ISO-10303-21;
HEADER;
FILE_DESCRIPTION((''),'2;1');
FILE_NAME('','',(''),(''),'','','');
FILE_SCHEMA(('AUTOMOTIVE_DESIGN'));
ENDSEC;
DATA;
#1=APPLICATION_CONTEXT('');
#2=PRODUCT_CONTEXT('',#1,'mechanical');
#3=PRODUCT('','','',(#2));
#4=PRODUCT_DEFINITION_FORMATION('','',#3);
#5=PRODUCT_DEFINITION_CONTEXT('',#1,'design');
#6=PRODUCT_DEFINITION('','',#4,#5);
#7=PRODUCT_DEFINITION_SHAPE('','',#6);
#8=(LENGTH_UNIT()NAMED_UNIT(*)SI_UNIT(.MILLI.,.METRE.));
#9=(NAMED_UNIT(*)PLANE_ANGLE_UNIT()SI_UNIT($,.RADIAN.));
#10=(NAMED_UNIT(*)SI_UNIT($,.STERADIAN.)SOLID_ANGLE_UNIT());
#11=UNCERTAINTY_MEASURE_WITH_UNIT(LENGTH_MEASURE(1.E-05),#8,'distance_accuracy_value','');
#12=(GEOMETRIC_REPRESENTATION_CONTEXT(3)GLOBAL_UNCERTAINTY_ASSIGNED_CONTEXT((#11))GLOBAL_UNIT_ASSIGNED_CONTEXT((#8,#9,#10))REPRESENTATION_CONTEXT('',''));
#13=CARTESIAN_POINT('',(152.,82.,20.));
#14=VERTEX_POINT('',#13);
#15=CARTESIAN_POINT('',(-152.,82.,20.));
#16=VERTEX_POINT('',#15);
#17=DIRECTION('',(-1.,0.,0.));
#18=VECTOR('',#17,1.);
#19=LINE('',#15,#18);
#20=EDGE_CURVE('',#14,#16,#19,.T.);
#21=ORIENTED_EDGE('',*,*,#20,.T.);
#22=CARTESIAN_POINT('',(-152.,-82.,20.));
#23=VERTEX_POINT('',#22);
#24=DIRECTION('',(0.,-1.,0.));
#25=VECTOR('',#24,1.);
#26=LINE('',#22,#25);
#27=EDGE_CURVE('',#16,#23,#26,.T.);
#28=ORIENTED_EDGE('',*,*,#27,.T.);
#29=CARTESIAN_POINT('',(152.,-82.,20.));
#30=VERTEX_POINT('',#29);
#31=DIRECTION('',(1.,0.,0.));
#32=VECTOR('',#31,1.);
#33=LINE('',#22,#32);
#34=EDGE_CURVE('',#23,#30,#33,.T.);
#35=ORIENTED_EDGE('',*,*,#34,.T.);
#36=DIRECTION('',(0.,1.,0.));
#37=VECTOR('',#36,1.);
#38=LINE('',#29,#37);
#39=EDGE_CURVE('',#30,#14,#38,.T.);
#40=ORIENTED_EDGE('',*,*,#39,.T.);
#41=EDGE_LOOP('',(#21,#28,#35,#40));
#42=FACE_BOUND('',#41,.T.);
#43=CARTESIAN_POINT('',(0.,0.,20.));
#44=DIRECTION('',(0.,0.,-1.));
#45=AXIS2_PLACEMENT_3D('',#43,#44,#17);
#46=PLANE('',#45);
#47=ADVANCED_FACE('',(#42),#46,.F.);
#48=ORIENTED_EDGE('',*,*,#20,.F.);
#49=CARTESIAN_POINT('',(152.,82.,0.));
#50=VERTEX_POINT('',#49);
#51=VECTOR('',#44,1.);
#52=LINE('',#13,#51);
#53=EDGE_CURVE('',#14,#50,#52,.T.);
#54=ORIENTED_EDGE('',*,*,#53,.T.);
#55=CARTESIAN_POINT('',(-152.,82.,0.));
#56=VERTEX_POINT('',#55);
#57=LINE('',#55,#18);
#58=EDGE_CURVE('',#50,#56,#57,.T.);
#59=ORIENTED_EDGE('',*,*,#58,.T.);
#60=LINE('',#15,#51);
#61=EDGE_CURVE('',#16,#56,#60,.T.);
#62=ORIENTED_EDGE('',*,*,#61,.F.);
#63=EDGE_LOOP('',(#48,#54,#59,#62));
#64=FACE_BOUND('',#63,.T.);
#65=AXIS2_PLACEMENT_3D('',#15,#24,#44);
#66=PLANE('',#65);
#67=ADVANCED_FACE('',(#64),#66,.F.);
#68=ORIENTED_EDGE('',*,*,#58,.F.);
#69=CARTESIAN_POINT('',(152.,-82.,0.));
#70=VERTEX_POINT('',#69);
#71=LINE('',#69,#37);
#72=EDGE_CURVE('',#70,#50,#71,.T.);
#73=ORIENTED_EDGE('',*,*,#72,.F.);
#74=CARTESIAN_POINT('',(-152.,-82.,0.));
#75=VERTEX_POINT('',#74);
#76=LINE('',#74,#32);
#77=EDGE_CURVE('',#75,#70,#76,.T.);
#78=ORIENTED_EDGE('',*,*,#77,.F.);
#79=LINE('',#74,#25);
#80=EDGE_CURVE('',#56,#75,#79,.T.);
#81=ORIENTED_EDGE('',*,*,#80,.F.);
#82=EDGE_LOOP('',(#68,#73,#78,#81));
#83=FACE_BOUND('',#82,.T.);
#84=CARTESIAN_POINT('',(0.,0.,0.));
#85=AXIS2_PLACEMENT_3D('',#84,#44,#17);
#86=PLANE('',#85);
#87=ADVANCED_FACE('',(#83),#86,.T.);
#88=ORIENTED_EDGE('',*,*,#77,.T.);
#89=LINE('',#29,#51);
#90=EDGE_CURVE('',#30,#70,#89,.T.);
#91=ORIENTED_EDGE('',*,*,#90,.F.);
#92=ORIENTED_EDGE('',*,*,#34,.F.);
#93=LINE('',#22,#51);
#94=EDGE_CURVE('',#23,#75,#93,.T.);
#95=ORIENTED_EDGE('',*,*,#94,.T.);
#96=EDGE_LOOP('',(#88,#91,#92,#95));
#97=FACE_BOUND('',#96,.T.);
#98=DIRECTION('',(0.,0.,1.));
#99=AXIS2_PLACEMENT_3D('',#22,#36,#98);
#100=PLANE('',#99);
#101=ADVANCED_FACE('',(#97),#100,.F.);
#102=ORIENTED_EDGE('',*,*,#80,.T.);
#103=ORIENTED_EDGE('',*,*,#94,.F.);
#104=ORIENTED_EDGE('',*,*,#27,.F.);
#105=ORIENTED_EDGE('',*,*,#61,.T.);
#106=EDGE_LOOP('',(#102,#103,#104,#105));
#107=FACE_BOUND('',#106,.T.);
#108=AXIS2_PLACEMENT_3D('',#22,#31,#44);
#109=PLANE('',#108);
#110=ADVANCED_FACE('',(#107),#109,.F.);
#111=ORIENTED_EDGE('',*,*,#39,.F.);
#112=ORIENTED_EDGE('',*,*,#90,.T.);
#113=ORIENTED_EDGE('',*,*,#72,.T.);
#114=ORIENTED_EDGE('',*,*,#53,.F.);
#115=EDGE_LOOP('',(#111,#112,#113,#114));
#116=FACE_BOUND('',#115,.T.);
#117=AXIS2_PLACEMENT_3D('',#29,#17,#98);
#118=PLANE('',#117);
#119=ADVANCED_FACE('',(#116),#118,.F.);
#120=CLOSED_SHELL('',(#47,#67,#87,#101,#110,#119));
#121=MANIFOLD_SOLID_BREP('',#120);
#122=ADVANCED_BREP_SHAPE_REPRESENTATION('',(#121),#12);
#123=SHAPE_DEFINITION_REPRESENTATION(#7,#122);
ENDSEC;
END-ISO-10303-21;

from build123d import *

# Parameters (mm, degrees)
ESQUISSE1_W        = 304
ESQUISSE1_H        = 164
BOSS_EXTRU_1_DEPTH = 20


with BuildPart() as part:
    # Esquisse1 → Boss.-Extru.1 (new body)
    with BuildSketch(Plane.XY):
        Rectangle(ESQUISSE1_W, ESQUISSE1_H)
    extrude(amount=BOSS_EXTRU_1_DEPTH)


solid = part.part
